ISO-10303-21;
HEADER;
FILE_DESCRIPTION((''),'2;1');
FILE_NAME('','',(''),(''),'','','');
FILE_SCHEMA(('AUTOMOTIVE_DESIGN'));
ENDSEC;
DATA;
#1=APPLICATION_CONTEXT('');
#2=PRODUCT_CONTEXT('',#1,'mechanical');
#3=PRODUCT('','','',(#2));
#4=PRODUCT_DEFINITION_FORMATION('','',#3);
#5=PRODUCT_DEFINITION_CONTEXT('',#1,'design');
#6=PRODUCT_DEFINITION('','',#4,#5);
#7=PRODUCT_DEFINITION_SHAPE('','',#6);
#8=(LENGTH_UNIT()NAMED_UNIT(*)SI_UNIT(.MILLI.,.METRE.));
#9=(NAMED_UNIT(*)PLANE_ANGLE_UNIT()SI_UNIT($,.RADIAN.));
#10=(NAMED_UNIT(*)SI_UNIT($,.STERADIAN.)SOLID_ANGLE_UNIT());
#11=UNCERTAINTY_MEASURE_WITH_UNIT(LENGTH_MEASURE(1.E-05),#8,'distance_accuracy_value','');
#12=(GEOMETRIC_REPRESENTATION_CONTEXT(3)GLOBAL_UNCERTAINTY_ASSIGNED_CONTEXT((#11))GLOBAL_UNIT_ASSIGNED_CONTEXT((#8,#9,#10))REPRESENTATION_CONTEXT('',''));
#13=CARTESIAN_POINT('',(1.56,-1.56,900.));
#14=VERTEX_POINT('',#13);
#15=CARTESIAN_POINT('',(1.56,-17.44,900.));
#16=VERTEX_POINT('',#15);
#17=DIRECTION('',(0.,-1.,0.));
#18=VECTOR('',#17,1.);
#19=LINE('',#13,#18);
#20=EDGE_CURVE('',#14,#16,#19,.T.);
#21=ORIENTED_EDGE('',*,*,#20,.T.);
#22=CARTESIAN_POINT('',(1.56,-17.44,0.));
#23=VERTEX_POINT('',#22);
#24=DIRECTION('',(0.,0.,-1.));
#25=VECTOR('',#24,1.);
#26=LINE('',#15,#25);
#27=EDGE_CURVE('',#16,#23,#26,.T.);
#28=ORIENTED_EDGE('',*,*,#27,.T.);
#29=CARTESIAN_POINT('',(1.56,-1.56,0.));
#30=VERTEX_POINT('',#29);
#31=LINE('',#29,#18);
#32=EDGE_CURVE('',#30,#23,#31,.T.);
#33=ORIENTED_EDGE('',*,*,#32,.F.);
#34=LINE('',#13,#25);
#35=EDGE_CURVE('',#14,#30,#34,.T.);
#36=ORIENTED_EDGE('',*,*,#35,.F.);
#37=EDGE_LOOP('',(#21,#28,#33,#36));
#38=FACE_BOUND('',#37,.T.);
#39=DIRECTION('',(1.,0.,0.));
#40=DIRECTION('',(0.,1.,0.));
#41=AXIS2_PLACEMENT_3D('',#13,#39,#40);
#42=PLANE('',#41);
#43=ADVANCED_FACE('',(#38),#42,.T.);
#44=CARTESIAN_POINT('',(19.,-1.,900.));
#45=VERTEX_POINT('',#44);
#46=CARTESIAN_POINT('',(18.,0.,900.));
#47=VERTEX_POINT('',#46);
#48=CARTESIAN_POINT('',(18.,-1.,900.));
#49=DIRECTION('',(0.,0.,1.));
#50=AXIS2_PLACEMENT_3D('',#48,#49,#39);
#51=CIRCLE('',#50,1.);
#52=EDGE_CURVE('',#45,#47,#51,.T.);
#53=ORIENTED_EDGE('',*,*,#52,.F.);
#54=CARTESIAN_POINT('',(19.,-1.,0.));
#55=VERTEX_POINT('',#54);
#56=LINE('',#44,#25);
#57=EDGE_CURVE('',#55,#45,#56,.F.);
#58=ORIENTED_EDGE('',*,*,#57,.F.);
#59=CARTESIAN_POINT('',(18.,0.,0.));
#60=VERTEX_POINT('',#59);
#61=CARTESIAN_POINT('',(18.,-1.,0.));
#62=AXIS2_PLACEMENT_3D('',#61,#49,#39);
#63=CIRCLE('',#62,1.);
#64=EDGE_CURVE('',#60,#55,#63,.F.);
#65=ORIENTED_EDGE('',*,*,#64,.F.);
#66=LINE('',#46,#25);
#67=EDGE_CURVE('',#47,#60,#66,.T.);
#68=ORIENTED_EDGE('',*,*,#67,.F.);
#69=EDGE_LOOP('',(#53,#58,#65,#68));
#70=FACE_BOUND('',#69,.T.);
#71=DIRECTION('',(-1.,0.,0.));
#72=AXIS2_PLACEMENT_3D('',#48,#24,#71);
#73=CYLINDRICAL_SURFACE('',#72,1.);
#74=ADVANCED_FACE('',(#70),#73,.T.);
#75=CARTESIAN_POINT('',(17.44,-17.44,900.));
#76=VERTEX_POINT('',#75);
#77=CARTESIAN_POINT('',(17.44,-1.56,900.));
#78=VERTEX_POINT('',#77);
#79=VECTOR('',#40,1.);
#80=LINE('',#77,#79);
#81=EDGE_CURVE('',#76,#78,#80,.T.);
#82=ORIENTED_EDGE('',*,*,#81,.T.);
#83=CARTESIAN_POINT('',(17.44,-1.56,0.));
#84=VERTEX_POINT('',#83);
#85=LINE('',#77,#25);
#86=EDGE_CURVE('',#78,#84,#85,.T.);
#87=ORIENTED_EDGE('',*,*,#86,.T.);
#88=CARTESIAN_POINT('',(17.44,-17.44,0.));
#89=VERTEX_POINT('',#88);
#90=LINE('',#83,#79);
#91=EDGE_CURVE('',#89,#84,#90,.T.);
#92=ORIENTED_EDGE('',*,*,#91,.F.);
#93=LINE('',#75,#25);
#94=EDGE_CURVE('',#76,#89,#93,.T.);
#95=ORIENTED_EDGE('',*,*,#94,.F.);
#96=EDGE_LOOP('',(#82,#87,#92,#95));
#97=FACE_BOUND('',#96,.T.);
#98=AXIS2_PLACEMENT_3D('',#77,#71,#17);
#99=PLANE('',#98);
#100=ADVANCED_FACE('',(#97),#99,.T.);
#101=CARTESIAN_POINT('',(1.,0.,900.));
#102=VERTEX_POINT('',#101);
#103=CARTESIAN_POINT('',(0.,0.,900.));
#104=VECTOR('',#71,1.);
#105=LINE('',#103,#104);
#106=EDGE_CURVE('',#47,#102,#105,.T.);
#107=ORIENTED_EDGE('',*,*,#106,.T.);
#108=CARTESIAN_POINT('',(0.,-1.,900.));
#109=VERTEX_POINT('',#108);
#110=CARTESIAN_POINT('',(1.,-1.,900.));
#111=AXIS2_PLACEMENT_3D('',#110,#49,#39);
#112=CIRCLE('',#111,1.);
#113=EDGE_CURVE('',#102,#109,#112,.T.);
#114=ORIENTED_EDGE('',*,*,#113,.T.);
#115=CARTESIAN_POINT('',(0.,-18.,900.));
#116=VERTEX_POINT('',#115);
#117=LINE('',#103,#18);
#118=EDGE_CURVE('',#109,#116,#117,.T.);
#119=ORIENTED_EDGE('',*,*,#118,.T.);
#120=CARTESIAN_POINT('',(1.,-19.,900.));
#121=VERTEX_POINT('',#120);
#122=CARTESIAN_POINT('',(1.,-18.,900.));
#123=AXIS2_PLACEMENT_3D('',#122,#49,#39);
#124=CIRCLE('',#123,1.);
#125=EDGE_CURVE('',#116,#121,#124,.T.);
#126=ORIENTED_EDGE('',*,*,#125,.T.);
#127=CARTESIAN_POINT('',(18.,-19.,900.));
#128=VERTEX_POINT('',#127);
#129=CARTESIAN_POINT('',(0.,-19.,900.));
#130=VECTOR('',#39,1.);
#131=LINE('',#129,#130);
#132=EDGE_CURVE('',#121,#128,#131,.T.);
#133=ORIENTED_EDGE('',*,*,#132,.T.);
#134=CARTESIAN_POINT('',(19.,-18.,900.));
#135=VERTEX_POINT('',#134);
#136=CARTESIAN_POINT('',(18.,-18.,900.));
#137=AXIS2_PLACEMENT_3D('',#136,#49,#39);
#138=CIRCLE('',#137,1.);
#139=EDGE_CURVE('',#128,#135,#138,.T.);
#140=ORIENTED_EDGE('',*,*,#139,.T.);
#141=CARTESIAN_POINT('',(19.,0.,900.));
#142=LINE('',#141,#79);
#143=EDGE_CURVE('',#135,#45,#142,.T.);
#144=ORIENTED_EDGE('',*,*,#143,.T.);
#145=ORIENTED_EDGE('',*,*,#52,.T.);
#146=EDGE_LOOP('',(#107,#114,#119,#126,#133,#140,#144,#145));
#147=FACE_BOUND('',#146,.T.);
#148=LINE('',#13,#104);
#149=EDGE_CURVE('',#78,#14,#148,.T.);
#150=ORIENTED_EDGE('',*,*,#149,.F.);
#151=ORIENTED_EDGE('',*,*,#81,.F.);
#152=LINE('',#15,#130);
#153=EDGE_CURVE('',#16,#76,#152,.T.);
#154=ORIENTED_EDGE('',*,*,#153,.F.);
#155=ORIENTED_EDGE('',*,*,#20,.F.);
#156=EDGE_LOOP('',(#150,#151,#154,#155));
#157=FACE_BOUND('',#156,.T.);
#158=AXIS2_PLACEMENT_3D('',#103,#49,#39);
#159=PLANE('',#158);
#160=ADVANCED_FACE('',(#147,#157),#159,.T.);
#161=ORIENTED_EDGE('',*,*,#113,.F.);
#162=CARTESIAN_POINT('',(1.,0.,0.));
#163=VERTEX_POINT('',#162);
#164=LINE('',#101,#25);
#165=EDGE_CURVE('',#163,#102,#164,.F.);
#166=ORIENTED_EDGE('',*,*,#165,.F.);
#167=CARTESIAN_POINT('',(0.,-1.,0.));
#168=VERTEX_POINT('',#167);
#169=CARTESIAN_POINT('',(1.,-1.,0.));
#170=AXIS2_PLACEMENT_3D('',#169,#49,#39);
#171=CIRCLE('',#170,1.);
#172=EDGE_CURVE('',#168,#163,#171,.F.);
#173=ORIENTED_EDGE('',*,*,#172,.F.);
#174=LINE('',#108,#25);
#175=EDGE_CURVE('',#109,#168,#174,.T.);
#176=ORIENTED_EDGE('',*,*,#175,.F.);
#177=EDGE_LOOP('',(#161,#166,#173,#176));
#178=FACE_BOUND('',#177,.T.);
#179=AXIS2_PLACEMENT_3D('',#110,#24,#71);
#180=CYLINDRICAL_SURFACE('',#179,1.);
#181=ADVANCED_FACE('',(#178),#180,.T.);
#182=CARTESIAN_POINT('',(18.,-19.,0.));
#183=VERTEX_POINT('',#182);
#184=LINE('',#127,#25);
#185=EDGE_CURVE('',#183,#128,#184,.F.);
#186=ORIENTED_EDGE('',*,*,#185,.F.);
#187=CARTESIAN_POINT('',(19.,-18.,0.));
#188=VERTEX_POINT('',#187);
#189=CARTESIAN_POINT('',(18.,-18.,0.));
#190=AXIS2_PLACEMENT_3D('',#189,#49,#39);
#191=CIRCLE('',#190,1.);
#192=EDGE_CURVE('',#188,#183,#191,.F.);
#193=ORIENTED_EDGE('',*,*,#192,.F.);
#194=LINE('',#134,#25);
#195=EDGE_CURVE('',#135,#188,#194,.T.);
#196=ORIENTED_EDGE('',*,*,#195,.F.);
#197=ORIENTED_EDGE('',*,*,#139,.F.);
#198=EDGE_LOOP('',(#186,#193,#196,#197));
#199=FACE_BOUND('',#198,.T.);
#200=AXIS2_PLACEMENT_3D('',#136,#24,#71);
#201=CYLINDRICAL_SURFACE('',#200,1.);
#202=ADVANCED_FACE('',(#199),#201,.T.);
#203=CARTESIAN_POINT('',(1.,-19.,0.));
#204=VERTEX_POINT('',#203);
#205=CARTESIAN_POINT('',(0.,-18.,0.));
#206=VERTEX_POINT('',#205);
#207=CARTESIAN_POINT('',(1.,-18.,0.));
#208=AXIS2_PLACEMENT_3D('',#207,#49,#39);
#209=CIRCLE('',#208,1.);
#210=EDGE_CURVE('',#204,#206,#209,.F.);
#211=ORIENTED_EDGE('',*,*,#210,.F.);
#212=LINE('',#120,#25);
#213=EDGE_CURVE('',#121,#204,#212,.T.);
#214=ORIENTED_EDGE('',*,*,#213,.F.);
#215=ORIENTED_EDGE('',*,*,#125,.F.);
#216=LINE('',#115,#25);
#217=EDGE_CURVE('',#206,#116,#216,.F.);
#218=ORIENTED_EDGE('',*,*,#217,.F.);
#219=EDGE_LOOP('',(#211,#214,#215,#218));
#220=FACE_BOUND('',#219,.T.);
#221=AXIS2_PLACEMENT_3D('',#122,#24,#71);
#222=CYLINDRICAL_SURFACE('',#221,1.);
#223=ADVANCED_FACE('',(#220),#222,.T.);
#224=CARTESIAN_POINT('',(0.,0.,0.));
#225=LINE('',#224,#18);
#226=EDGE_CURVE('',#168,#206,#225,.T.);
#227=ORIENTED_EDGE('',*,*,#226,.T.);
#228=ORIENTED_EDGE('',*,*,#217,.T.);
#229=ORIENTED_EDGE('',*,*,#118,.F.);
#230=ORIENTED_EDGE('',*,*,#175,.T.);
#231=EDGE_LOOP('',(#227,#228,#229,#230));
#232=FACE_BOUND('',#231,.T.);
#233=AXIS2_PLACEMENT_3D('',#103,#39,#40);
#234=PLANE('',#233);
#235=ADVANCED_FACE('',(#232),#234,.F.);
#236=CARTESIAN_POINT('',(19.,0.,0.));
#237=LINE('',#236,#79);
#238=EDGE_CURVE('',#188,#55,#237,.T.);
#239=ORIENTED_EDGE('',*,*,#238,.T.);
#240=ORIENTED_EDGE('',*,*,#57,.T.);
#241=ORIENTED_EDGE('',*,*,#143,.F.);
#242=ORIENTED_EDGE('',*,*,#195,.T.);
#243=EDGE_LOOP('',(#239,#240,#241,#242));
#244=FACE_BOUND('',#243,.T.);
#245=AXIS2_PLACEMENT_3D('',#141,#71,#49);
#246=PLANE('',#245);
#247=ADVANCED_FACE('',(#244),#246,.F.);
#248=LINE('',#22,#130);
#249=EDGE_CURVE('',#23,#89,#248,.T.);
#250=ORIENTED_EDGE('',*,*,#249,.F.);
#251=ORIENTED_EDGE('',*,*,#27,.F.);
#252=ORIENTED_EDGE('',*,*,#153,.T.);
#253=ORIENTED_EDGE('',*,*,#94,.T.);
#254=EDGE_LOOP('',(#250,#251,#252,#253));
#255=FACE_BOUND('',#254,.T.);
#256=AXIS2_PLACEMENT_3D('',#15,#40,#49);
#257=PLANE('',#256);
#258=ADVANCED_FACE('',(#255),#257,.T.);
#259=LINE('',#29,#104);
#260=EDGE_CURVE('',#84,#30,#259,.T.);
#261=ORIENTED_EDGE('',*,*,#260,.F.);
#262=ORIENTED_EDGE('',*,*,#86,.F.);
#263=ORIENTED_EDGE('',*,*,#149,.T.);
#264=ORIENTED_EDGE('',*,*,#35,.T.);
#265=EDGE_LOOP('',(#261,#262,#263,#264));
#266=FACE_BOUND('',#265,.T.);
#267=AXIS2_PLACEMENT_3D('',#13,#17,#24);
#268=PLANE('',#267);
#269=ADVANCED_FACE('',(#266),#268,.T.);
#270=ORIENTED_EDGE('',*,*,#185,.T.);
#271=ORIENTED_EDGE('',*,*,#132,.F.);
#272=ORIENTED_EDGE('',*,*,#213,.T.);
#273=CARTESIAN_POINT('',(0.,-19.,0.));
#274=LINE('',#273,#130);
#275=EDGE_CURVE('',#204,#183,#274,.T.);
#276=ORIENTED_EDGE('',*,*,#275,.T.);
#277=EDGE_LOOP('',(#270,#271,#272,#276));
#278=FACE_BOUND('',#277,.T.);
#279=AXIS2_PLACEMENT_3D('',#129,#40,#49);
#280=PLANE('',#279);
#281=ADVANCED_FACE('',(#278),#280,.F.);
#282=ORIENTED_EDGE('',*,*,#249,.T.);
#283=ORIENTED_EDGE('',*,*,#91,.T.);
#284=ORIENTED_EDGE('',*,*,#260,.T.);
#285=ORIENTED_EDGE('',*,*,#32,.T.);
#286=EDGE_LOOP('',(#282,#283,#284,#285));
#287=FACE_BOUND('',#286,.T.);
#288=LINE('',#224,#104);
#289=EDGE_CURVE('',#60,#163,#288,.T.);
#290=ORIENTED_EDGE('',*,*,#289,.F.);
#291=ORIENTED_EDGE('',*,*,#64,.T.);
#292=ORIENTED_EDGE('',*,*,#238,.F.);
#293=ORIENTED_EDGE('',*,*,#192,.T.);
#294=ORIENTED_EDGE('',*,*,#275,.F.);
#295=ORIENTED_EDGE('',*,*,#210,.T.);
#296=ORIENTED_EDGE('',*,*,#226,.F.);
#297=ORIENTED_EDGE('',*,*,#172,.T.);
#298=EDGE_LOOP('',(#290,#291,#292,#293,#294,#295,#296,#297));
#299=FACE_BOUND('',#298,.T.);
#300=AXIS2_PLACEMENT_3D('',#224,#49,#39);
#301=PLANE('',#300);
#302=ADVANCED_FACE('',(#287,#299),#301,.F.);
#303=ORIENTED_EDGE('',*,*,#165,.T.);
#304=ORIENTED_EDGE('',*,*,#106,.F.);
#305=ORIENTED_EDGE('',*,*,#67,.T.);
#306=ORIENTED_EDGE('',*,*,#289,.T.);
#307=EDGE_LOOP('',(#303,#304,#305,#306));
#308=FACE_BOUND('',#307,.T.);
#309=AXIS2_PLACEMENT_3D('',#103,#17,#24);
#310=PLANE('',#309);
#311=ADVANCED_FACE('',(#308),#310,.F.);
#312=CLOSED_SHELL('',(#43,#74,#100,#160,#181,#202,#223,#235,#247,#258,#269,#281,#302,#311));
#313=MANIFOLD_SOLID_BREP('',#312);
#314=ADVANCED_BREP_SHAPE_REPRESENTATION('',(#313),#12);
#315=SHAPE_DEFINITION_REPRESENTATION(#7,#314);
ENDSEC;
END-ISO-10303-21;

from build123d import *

# Parameters (mm, degrees)
SKETCH_1_W      = 19
SKETCH_1_H      = 19
SKETCH_1_W_2    = 15.88
SKETCH_1_H_2    = 15.88
EXTRUDE_1_DEPTH = 900
FILLET_2_R      = 1


with BuildPart() as part:
    # 스케치1 → 보스-돌출1 (new body)
    with BuildSketch(Plane.XY):
        with Locations((9.5, -9.5)):
            Rectangle(SKETCH_1_W, SKETCH_1_H)
        with Locations((9.5, -9.5)):
            Rectangle(SKETCH_1_W_2, SKETCH_1_H_2, mode=Mode.SUBTRACT)
    extrude(amount=EXTRUDE_1_DEPTH)

    # 필렛2
    fillet_2_edges = [part.edges().sort_by_distance(p)[0] for p in [
        (0, 0, 450),
        (19, 0, 450),
        (19, -19, 450),
        (0, -19, 450),
    ]]
    fillet(fillet_2_edges, radius=FILLET_2_R)


solid = part.part
